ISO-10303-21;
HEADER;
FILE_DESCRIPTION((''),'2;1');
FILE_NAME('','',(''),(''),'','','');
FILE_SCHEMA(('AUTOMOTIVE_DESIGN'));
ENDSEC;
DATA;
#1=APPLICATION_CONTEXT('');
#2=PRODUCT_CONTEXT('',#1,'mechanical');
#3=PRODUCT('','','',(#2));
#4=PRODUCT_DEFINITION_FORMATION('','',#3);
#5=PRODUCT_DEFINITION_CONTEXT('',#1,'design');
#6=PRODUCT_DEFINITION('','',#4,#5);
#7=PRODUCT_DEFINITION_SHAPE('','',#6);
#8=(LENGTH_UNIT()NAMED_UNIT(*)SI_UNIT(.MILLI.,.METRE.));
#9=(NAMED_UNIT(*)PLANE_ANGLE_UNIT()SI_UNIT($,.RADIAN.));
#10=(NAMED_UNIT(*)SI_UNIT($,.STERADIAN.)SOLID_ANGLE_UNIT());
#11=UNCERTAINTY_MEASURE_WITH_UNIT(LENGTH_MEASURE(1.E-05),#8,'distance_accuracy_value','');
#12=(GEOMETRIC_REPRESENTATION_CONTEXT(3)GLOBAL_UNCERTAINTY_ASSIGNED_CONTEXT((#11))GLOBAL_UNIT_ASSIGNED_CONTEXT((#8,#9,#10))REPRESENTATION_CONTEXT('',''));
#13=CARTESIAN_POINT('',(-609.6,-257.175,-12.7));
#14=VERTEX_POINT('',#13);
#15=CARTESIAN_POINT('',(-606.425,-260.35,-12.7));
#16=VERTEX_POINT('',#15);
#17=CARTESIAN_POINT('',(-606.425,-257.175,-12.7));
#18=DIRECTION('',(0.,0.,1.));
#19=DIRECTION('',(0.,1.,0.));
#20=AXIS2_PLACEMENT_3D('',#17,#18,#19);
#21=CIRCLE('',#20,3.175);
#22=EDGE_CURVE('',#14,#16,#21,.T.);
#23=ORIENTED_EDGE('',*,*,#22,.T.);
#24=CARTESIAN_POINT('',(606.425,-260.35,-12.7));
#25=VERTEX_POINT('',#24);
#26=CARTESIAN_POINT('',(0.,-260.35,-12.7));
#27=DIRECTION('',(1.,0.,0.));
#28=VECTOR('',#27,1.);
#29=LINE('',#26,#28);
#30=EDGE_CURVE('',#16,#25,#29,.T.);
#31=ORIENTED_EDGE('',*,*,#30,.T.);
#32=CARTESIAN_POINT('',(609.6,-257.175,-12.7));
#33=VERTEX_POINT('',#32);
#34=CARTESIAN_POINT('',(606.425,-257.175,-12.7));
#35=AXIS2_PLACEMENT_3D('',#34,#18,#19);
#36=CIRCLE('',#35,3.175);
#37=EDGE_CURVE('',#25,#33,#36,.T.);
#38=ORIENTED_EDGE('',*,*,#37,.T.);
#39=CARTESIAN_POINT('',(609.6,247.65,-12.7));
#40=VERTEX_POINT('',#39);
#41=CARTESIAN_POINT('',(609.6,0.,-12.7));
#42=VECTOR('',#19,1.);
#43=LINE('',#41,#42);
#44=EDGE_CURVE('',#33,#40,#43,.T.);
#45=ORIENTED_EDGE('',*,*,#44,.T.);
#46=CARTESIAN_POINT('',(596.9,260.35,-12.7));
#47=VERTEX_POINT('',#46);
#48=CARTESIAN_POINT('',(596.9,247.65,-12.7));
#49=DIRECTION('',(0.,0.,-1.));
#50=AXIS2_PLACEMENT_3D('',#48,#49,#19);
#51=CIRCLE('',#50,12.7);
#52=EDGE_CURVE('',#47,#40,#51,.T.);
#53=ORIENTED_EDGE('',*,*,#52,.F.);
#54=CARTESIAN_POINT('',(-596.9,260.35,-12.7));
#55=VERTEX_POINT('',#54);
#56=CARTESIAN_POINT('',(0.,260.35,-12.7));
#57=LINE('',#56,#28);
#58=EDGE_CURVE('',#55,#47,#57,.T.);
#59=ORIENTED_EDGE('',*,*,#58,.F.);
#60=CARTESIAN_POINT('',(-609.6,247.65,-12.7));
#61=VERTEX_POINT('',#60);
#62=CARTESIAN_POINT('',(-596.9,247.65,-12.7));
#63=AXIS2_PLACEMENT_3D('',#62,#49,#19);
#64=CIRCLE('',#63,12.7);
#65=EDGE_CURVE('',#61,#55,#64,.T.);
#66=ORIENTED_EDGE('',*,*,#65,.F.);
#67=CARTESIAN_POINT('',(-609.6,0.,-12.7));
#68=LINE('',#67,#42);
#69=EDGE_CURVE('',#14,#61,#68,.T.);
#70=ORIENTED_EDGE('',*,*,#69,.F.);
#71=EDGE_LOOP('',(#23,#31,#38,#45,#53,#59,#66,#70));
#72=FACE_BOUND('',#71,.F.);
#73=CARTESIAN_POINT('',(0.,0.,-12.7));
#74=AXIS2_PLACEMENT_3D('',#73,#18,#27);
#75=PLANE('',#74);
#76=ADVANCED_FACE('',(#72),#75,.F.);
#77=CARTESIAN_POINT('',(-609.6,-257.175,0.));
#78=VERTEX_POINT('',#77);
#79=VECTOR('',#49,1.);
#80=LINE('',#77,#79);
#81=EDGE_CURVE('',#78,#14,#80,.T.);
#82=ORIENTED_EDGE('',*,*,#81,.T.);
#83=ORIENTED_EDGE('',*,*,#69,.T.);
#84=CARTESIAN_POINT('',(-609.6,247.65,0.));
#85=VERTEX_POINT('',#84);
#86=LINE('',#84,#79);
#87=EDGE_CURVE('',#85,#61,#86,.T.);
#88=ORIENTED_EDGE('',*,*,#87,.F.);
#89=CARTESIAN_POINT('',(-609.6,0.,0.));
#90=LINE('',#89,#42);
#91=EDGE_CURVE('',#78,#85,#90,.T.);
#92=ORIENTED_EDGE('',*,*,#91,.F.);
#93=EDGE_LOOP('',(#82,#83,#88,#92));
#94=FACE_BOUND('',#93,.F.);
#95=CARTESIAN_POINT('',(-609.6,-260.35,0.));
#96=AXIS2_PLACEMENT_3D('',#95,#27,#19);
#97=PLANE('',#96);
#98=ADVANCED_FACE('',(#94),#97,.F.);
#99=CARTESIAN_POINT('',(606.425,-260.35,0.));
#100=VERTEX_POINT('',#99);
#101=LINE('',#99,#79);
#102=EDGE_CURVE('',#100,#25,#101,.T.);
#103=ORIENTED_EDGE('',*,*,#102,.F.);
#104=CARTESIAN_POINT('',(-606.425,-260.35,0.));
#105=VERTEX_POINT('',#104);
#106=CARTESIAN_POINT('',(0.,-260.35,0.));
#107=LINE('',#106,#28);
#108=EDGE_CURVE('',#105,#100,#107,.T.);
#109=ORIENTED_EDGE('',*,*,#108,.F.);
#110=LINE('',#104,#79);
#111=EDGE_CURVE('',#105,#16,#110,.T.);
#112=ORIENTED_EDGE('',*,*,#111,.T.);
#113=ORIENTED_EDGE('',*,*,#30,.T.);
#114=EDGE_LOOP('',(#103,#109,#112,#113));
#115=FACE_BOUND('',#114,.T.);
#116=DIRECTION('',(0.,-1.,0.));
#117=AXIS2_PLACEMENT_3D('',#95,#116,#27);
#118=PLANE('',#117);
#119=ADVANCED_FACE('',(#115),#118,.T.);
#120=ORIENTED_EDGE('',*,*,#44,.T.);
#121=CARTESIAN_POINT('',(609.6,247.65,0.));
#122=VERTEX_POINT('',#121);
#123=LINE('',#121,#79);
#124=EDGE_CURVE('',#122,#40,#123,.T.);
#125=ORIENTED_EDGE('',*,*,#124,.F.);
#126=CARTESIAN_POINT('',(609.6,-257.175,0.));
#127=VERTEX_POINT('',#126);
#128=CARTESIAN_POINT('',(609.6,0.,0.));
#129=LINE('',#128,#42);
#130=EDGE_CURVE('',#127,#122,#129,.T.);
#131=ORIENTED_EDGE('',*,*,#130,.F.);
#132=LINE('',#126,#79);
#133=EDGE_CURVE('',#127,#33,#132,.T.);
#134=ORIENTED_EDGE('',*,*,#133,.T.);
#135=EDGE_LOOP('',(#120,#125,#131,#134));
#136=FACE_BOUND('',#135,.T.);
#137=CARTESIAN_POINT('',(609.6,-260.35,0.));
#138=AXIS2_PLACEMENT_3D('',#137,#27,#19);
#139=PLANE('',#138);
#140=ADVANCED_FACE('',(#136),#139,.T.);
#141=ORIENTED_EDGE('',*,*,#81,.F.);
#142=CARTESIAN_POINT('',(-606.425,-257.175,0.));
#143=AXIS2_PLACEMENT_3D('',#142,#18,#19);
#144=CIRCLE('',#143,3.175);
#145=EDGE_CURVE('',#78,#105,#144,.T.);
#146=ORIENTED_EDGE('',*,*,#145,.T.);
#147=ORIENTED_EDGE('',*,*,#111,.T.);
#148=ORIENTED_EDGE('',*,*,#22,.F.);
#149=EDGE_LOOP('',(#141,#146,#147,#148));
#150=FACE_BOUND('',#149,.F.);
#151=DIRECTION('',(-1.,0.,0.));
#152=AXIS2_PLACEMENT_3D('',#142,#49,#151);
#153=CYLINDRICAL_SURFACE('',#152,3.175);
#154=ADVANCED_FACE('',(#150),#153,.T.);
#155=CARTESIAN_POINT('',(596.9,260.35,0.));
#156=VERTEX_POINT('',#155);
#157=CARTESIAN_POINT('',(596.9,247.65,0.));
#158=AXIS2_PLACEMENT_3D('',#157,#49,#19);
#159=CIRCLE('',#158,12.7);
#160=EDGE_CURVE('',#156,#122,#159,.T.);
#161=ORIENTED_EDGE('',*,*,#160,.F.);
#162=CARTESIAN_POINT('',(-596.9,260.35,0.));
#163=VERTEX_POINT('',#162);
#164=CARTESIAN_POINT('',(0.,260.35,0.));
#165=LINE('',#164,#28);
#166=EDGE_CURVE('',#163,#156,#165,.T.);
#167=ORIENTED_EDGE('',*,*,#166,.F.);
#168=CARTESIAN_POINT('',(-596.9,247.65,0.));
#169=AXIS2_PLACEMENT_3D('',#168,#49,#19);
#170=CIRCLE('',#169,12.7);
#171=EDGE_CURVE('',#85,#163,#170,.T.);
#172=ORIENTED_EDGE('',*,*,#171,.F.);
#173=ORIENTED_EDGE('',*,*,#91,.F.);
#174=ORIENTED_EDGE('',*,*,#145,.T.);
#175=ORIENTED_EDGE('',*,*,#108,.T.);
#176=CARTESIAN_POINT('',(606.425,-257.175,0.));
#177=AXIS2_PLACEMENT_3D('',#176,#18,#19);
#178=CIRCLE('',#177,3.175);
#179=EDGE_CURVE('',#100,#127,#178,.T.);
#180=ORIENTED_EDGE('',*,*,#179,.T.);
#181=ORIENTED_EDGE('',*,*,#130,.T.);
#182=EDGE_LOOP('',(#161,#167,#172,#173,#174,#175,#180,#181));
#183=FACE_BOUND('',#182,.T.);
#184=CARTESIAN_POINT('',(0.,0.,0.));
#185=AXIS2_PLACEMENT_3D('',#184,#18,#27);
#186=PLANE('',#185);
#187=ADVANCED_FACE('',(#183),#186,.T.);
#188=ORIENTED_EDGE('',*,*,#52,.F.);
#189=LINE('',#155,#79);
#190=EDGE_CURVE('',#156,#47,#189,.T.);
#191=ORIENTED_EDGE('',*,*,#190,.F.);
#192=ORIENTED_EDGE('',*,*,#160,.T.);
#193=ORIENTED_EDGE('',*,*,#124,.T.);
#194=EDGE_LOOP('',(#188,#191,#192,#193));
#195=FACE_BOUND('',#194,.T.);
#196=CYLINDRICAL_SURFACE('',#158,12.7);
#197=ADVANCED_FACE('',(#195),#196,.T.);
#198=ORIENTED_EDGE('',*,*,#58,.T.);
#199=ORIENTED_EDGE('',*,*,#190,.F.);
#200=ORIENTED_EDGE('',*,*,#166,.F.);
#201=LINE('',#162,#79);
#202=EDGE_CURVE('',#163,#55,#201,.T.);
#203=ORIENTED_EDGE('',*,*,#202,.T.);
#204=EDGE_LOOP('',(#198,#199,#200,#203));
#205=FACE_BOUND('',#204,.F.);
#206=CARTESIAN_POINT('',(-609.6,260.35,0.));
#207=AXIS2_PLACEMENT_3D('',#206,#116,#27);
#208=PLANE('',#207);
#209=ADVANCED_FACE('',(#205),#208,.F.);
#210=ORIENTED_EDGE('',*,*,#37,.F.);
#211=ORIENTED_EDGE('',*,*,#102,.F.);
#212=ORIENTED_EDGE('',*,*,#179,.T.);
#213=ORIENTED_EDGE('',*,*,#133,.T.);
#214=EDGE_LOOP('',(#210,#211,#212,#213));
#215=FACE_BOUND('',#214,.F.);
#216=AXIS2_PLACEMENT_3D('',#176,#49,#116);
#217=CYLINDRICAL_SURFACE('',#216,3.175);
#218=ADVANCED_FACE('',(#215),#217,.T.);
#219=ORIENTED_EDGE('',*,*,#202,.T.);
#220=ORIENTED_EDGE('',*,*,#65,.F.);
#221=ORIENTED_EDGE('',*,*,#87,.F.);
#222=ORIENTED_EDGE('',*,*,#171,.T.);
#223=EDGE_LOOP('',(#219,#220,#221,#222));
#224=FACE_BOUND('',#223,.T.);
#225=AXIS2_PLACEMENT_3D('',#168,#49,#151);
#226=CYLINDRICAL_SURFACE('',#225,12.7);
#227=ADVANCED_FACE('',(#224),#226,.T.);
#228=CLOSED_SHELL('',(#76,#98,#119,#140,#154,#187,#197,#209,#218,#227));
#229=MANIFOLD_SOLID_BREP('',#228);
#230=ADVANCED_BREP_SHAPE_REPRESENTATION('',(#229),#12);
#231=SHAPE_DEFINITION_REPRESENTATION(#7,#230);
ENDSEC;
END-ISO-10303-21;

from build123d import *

# Parameters (mm, degrees)
F0_W     = 1219.2
F0_H     = 520.7
F1_DEPTH = 12.7
F2_R     = 3.175
F3_R     = 12.7


with BuildPart() as f1:
    # F0 (on Top) → F1 (new body)
    with BuildSketch(Plane.XY):
        Rectangle(F0_W, F0_H)
    extrude(amount=-F1_DEPTH)

    # F2
    f2_edges = [f1.edges().sort_by_distance(p)[0] for p in [
        (609.6, -260.35, -6.35),
        (-609.6, -260.35, -6.35),
    ]]
    fillet(f2_edges, radius=F2_R)

    # F3
    f3_edges = [f1.edges().sort_by_distance(p)[0] for p in [
        (609.6, 260.35, -6.35),
        (-609.6, 260.35, -6.35),
    ]]
    fillet(f3_edges, radius=F3_R)


solid = f1.part
